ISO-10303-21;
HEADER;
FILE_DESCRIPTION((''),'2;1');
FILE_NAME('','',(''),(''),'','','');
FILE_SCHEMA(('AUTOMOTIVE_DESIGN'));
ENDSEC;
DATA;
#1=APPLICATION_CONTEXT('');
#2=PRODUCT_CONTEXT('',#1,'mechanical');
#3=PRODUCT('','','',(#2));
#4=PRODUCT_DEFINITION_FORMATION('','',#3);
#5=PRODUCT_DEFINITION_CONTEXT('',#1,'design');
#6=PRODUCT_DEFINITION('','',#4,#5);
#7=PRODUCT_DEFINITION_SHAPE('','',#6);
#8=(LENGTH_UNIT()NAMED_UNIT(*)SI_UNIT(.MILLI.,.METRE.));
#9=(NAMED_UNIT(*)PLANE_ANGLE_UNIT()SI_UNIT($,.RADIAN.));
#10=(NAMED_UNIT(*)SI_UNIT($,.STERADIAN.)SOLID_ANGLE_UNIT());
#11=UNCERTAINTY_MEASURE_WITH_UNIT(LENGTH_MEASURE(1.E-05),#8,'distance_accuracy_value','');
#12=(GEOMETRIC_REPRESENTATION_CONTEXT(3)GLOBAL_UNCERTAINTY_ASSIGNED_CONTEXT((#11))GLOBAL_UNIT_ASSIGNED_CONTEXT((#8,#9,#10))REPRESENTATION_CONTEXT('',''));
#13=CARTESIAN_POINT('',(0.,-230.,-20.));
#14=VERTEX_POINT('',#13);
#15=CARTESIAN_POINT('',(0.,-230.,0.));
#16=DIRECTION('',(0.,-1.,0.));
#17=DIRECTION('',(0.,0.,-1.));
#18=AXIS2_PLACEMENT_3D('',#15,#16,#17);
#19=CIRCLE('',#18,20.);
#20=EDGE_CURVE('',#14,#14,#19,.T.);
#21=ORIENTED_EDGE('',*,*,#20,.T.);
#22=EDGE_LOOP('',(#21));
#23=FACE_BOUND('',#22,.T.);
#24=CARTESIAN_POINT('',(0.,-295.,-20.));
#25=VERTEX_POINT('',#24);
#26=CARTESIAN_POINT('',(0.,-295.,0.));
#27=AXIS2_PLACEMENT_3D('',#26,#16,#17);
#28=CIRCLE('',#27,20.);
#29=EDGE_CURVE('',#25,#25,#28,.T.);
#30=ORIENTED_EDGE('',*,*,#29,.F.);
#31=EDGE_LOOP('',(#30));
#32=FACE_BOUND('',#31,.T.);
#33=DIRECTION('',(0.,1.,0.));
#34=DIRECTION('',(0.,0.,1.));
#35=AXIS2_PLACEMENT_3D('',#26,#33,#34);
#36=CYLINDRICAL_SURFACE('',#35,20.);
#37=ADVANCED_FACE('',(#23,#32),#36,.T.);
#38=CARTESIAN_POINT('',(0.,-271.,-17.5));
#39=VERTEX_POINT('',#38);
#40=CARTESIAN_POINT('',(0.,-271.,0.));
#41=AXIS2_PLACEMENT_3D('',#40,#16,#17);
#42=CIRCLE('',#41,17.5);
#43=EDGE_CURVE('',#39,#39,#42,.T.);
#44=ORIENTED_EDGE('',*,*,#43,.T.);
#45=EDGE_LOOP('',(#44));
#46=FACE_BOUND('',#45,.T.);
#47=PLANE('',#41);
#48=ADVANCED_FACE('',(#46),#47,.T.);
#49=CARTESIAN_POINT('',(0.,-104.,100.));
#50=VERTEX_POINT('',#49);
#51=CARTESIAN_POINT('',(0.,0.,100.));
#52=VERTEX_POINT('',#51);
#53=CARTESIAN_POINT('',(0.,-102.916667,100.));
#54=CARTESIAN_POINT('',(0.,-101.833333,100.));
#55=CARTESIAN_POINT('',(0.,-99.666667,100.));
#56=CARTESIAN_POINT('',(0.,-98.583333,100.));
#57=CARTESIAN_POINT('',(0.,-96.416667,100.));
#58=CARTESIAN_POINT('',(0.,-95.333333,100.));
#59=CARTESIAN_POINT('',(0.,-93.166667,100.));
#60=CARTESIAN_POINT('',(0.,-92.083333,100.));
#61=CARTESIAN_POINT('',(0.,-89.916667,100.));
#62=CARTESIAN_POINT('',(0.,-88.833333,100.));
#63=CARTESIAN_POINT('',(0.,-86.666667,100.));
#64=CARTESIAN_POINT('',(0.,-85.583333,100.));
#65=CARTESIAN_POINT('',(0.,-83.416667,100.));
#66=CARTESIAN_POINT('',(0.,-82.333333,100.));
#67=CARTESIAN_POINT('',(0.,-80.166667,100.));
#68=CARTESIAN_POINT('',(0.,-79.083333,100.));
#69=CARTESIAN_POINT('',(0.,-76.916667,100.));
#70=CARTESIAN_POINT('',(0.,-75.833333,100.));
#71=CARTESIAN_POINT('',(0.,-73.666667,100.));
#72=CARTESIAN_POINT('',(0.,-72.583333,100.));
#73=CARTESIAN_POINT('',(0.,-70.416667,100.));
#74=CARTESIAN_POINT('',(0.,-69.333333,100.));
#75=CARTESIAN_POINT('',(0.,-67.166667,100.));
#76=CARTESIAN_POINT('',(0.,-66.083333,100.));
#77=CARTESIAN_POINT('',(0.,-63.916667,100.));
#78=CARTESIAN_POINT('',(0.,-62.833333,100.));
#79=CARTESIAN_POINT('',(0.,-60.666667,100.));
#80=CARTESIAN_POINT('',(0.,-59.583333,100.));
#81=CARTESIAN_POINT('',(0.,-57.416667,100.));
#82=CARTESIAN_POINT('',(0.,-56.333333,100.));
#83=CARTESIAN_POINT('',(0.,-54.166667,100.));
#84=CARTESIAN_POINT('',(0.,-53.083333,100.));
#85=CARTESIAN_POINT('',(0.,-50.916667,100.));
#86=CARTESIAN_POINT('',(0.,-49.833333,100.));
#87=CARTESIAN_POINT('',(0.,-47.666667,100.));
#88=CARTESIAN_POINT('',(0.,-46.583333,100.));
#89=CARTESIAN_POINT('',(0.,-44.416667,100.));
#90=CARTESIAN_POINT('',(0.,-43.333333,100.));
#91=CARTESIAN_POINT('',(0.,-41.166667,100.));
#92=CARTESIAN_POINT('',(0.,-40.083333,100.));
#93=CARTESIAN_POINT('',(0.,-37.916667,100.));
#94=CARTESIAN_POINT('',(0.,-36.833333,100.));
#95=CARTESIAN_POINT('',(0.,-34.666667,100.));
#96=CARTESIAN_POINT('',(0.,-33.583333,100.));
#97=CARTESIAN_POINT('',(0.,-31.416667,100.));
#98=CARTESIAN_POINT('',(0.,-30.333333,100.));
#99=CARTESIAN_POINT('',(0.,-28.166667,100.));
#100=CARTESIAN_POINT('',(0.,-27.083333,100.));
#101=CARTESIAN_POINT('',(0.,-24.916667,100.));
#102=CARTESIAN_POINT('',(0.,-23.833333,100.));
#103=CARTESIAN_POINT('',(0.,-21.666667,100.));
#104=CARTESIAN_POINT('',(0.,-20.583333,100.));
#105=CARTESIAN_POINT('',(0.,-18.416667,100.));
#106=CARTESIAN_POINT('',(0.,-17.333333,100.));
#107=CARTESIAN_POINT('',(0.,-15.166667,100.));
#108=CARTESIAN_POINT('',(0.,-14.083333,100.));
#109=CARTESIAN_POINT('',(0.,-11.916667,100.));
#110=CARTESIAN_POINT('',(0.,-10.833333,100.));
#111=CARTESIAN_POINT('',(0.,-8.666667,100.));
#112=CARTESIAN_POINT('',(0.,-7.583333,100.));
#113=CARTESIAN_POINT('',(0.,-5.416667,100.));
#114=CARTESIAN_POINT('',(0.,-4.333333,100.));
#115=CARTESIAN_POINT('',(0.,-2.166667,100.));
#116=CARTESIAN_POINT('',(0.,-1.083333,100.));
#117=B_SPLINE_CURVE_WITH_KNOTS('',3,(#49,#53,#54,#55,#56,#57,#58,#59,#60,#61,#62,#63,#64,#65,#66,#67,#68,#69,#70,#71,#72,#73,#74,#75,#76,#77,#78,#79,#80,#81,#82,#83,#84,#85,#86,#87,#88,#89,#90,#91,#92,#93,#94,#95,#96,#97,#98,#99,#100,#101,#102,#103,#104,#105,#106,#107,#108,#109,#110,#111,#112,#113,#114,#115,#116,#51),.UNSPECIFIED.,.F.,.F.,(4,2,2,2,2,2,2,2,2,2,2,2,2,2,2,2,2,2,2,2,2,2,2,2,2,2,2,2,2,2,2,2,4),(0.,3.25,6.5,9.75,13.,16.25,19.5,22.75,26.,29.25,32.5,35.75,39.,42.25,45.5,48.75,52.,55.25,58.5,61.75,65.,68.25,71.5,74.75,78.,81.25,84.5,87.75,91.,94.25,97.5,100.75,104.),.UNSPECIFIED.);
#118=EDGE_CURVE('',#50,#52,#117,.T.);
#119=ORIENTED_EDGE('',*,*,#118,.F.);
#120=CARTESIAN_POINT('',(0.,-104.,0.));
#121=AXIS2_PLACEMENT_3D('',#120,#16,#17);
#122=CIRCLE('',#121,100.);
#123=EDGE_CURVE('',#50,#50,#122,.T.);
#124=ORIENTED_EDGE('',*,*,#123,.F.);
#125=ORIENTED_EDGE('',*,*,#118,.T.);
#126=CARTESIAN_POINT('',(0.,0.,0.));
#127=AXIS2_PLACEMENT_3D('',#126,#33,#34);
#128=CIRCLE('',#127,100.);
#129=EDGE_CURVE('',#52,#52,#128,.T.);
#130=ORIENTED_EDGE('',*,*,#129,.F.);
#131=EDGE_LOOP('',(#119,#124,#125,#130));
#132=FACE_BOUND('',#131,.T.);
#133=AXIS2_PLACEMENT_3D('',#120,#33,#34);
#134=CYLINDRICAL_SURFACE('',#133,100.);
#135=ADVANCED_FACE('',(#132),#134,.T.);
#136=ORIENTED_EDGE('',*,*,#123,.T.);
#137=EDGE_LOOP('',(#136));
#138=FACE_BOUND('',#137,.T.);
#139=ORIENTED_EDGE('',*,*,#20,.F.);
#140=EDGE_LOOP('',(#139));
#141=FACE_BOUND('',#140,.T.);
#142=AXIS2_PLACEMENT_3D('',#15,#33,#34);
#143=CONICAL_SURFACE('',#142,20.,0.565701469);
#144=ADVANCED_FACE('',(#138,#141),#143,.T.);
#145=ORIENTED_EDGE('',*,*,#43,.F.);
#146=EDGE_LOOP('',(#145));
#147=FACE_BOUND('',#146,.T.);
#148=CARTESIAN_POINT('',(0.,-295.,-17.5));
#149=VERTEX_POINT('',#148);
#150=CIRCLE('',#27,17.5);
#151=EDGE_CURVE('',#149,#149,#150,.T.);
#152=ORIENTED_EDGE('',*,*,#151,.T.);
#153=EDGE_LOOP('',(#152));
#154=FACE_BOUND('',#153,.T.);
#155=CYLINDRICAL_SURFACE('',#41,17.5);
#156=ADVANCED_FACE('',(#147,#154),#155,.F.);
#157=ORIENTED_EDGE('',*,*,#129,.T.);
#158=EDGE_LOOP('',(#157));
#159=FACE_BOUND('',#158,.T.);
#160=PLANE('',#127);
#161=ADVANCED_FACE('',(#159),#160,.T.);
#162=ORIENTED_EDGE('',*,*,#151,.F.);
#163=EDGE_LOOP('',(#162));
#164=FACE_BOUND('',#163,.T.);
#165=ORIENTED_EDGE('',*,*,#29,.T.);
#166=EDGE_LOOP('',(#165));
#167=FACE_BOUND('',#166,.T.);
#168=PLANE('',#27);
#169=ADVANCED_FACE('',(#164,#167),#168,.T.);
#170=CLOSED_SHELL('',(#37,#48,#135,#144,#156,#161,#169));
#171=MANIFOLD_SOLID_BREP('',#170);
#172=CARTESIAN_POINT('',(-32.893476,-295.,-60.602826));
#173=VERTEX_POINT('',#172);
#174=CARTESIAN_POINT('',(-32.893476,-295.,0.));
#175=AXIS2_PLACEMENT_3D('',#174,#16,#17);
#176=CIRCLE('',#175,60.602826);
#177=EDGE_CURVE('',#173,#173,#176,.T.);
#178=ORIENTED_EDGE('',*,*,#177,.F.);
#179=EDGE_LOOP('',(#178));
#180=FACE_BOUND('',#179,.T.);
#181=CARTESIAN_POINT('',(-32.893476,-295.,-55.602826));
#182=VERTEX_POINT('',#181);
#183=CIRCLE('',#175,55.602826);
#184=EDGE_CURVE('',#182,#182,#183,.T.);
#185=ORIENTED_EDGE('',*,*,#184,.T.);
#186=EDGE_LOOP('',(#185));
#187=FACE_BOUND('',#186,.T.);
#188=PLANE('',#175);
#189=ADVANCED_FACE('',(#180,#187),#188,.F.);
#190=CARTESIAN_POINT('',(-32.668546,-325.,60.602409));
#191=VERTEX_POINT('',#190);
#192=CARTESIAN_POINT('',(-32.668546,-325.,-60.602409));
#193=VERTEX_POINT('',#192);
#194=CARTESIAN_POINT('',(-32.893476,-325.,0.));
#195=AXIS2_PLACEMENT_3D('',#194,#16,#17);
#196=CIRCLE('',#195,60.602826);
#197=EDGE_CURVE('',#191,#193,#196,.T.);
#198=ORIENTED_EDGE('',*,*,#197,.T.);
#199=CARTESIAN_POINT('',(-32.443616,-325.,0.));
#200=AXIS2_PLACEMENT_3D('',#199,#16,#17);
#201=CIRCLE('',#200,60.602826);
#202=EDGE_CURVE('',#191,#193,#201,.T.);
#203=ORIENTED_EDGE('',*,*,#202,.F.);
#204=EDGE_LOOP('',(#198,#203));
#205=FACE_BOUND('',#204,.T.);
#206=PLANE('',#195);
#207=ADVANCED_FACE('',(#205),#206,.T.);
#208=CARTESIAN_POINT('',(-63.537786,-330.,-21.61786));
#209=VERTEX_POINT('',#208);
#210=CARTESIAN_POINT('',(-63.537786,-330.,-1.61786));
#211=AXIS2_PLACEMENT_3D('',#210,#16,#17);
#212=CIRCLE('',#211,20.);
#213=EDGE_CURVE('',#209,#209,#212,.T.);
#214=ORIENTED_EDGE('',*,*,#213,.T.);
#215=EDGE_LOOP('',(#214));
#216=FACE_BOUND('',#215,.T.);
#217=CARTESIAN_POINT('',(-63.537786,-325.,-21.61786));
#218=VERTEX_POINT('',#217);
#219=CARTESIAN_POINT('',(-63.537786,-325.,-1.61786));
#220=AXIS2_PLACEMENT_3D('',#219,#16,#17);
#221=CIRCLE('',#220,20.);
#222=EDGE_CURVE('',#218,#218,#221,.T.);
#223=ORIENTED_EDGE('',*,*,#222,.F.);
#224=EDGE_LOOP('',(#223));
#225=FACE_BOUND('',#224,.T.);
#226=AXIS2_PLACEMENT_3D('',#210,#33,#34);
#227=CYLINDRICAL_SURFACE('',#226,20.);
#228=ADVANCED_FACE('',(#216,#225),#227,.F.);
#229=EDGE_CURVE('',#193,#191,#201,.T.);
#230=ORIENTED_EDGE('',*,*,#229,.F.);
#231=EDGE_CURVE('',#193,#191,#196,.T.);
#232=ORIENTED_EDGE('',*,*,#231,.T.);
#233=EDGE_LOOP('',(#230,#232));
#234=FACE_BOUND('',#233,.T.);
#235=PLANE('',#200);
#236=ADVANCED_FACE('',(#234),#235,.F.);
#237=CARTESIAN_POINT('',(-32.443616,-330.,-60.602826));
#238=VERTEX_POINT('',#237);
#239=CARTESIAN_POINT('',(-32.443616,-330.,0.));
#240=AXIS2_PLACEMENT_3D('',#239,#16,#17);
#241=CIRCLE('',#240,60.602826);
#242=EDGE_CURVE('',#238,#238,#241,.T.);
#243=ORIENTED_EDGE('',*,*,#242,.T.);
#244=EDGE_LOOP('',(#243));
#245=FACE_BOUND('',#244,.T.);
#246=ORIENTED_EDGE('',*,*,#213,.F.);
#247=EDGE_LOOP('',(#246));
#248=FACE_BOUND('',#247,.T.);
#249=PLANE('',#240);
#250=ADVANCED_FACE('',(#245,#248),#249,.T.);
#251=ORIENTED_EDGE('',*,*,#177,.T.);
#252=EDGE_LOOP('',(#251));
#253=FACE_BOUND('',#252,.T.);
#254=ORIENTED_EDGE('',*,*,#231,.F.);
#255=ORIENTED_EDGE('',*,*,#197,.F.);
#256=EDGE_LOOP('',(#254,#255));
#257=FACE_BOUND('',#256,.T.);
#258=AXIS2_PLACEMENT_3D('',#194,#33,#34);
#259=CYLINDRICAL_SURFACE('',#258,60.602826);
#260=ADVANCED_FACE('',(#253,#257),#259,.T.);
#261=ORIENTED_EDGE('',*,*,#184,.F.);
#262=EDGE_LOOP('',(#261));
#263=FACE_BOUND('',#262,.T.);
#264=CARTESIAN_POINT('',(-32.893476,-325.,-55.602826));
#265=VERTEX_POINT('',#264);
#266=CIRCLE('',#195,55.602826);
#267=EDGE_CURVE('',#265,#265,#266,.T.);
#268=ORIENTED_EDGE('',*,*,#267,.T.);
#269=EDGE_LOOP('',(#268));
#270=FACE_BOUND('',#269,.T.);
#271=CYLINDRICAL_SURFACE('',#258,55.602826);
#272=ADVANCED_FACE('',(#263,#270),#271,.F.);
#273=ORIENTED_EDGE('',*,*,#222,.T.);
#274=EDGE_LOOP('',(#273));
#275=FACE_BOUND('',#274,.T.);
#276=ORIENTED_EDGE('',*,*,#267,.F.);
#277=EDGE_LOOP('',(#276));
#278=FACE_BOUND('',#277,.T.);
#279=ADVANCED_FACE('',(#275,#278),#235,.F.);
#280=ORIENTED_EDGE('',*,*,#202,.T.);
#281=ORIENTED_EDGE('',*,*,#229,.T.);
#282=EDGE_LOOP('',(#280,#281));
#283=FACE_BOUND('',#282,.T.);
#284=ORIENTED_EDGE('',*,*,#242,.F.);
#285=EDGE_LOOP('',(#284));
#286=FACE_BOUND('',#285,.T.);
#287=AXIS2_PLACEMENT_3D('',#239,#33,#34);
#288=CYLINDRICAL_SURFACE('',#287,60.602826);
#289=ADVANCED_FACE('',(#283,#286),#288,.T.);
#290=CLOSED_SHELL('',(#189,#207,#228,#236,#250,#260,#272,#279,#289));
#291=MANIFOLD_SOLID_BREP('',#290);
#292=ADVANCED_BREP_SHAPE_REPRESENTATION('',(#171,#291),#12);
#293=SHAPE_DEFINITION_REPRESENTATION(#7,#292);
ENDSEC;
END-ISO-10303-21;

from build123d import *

# Parameters (mm, degrees)
CROQUIS1_R              = 100
SALIENTE_EXTRUIR1_DEPTH = 104
CROQUIS3_R              = 20
CROQUIS2_R              = 100
CROQUIS4_R              = 20
SALIENTE_EXTRUIR2_DEPTH = 65
CROQUIS7_R              = 17.5
CORTAR_EXTRUIR2_DEPTH   = 24
CROQUIS8_R              = 60.602826114
CROQUIS8_R_2            = 55.602826114
SALIENTE_EXTRUIR3_DEPTH = 30
CROQUIS10_R             = 60.602826114
CROQUIS10_R_2           = 20
SALIENTE_EXTRUIR5_DEPTH = 5


with BuildPart() as part:
    # Croquis1 → Saliente-Extruir1 (new body)
    with BuildSketch(Plane(origin=(0, 0, 0), x_dir=(1, 0, 0), z_dir=(0, 1, 0))):
        with Locations(Location((0, 0, 0), (0, 0, 270))):
            Circle(CROQUIS1_R)
    extrude(amount=-SALIENTE_EXTRUIR1_DEPTH)

    # Croquis3 → Recubrir1 section 0
    with BuildSketch(Plane(origin=(0, -230, 0), x_dir=(1, 0, 0), z_dir=(0, 1, 0))):
        Circle(CROQUIS3_R)
    # Croquis2 → Recubrir1 section 1
    with BuildSketch(Plane.XZ.offset(104)):
        Circle(CROQUIS2_R)
    loft()

    # Croquis4 → Saliente-Extruir2 (add)
    with BuildSketch(Plane.XZ.offset(230)):
        with Locations(Location((0, 0, 0), (0, 0, 270))):
            Circle(CROQUIS4_R)
    extrude(amount=SALIENTE_EXTRUIR2_DEPTH)

    # Croquis7 → Cortar-Extruir2 (cut)
    with BuildSketch(Plane.XZ.offset(295)):
        with Locations(Location((0, 0, 0), (0, 0, 270))):
            Circle(CROQUIS7_R)
    extrude(amount=-CORTAR_EXTRUIR2_DEPTH, mode=Mode.SUBTRACT)


with BuildPart() as body_2:
    # Croquis8 → Saliente-Extruir3 (new body)
    with BuildSketch(Plane.XZ.offset(295)):
        with Locations(Location((-32.893475565, 0, 0), (0, 0, 270))):
            Circle(CROQUIS8_R)
        with Locations(Location((-32.893475565, 0, 0), (0, 0, 270))):
            Circle(CROQUIS8_R_2, mode=Mode.SUBTRACT)
    extrude(amount=SALIENTE_EXTRUIR3_DEPTH)

    # Croquis10 → Saliente-Extruir5 (add)
    with BuildSketch(Plane.XZ.offset(325)):
        with Locations(Location((-32.443615628, 0, 0), (0, 0, 90.212656212))):
            Circle(CROQUIS10_R)
        with Locations(Location((-63.53778642, -1.617860302, 0), (0, 0, 270))):
            Circle(CROQUIS10_R_2, mode=Mode.SUBTRACT)
    extrude(amount=SALIENTE_EXTRUIR5_DEPTH)


solid = Compound([part.part, body_2.part])
